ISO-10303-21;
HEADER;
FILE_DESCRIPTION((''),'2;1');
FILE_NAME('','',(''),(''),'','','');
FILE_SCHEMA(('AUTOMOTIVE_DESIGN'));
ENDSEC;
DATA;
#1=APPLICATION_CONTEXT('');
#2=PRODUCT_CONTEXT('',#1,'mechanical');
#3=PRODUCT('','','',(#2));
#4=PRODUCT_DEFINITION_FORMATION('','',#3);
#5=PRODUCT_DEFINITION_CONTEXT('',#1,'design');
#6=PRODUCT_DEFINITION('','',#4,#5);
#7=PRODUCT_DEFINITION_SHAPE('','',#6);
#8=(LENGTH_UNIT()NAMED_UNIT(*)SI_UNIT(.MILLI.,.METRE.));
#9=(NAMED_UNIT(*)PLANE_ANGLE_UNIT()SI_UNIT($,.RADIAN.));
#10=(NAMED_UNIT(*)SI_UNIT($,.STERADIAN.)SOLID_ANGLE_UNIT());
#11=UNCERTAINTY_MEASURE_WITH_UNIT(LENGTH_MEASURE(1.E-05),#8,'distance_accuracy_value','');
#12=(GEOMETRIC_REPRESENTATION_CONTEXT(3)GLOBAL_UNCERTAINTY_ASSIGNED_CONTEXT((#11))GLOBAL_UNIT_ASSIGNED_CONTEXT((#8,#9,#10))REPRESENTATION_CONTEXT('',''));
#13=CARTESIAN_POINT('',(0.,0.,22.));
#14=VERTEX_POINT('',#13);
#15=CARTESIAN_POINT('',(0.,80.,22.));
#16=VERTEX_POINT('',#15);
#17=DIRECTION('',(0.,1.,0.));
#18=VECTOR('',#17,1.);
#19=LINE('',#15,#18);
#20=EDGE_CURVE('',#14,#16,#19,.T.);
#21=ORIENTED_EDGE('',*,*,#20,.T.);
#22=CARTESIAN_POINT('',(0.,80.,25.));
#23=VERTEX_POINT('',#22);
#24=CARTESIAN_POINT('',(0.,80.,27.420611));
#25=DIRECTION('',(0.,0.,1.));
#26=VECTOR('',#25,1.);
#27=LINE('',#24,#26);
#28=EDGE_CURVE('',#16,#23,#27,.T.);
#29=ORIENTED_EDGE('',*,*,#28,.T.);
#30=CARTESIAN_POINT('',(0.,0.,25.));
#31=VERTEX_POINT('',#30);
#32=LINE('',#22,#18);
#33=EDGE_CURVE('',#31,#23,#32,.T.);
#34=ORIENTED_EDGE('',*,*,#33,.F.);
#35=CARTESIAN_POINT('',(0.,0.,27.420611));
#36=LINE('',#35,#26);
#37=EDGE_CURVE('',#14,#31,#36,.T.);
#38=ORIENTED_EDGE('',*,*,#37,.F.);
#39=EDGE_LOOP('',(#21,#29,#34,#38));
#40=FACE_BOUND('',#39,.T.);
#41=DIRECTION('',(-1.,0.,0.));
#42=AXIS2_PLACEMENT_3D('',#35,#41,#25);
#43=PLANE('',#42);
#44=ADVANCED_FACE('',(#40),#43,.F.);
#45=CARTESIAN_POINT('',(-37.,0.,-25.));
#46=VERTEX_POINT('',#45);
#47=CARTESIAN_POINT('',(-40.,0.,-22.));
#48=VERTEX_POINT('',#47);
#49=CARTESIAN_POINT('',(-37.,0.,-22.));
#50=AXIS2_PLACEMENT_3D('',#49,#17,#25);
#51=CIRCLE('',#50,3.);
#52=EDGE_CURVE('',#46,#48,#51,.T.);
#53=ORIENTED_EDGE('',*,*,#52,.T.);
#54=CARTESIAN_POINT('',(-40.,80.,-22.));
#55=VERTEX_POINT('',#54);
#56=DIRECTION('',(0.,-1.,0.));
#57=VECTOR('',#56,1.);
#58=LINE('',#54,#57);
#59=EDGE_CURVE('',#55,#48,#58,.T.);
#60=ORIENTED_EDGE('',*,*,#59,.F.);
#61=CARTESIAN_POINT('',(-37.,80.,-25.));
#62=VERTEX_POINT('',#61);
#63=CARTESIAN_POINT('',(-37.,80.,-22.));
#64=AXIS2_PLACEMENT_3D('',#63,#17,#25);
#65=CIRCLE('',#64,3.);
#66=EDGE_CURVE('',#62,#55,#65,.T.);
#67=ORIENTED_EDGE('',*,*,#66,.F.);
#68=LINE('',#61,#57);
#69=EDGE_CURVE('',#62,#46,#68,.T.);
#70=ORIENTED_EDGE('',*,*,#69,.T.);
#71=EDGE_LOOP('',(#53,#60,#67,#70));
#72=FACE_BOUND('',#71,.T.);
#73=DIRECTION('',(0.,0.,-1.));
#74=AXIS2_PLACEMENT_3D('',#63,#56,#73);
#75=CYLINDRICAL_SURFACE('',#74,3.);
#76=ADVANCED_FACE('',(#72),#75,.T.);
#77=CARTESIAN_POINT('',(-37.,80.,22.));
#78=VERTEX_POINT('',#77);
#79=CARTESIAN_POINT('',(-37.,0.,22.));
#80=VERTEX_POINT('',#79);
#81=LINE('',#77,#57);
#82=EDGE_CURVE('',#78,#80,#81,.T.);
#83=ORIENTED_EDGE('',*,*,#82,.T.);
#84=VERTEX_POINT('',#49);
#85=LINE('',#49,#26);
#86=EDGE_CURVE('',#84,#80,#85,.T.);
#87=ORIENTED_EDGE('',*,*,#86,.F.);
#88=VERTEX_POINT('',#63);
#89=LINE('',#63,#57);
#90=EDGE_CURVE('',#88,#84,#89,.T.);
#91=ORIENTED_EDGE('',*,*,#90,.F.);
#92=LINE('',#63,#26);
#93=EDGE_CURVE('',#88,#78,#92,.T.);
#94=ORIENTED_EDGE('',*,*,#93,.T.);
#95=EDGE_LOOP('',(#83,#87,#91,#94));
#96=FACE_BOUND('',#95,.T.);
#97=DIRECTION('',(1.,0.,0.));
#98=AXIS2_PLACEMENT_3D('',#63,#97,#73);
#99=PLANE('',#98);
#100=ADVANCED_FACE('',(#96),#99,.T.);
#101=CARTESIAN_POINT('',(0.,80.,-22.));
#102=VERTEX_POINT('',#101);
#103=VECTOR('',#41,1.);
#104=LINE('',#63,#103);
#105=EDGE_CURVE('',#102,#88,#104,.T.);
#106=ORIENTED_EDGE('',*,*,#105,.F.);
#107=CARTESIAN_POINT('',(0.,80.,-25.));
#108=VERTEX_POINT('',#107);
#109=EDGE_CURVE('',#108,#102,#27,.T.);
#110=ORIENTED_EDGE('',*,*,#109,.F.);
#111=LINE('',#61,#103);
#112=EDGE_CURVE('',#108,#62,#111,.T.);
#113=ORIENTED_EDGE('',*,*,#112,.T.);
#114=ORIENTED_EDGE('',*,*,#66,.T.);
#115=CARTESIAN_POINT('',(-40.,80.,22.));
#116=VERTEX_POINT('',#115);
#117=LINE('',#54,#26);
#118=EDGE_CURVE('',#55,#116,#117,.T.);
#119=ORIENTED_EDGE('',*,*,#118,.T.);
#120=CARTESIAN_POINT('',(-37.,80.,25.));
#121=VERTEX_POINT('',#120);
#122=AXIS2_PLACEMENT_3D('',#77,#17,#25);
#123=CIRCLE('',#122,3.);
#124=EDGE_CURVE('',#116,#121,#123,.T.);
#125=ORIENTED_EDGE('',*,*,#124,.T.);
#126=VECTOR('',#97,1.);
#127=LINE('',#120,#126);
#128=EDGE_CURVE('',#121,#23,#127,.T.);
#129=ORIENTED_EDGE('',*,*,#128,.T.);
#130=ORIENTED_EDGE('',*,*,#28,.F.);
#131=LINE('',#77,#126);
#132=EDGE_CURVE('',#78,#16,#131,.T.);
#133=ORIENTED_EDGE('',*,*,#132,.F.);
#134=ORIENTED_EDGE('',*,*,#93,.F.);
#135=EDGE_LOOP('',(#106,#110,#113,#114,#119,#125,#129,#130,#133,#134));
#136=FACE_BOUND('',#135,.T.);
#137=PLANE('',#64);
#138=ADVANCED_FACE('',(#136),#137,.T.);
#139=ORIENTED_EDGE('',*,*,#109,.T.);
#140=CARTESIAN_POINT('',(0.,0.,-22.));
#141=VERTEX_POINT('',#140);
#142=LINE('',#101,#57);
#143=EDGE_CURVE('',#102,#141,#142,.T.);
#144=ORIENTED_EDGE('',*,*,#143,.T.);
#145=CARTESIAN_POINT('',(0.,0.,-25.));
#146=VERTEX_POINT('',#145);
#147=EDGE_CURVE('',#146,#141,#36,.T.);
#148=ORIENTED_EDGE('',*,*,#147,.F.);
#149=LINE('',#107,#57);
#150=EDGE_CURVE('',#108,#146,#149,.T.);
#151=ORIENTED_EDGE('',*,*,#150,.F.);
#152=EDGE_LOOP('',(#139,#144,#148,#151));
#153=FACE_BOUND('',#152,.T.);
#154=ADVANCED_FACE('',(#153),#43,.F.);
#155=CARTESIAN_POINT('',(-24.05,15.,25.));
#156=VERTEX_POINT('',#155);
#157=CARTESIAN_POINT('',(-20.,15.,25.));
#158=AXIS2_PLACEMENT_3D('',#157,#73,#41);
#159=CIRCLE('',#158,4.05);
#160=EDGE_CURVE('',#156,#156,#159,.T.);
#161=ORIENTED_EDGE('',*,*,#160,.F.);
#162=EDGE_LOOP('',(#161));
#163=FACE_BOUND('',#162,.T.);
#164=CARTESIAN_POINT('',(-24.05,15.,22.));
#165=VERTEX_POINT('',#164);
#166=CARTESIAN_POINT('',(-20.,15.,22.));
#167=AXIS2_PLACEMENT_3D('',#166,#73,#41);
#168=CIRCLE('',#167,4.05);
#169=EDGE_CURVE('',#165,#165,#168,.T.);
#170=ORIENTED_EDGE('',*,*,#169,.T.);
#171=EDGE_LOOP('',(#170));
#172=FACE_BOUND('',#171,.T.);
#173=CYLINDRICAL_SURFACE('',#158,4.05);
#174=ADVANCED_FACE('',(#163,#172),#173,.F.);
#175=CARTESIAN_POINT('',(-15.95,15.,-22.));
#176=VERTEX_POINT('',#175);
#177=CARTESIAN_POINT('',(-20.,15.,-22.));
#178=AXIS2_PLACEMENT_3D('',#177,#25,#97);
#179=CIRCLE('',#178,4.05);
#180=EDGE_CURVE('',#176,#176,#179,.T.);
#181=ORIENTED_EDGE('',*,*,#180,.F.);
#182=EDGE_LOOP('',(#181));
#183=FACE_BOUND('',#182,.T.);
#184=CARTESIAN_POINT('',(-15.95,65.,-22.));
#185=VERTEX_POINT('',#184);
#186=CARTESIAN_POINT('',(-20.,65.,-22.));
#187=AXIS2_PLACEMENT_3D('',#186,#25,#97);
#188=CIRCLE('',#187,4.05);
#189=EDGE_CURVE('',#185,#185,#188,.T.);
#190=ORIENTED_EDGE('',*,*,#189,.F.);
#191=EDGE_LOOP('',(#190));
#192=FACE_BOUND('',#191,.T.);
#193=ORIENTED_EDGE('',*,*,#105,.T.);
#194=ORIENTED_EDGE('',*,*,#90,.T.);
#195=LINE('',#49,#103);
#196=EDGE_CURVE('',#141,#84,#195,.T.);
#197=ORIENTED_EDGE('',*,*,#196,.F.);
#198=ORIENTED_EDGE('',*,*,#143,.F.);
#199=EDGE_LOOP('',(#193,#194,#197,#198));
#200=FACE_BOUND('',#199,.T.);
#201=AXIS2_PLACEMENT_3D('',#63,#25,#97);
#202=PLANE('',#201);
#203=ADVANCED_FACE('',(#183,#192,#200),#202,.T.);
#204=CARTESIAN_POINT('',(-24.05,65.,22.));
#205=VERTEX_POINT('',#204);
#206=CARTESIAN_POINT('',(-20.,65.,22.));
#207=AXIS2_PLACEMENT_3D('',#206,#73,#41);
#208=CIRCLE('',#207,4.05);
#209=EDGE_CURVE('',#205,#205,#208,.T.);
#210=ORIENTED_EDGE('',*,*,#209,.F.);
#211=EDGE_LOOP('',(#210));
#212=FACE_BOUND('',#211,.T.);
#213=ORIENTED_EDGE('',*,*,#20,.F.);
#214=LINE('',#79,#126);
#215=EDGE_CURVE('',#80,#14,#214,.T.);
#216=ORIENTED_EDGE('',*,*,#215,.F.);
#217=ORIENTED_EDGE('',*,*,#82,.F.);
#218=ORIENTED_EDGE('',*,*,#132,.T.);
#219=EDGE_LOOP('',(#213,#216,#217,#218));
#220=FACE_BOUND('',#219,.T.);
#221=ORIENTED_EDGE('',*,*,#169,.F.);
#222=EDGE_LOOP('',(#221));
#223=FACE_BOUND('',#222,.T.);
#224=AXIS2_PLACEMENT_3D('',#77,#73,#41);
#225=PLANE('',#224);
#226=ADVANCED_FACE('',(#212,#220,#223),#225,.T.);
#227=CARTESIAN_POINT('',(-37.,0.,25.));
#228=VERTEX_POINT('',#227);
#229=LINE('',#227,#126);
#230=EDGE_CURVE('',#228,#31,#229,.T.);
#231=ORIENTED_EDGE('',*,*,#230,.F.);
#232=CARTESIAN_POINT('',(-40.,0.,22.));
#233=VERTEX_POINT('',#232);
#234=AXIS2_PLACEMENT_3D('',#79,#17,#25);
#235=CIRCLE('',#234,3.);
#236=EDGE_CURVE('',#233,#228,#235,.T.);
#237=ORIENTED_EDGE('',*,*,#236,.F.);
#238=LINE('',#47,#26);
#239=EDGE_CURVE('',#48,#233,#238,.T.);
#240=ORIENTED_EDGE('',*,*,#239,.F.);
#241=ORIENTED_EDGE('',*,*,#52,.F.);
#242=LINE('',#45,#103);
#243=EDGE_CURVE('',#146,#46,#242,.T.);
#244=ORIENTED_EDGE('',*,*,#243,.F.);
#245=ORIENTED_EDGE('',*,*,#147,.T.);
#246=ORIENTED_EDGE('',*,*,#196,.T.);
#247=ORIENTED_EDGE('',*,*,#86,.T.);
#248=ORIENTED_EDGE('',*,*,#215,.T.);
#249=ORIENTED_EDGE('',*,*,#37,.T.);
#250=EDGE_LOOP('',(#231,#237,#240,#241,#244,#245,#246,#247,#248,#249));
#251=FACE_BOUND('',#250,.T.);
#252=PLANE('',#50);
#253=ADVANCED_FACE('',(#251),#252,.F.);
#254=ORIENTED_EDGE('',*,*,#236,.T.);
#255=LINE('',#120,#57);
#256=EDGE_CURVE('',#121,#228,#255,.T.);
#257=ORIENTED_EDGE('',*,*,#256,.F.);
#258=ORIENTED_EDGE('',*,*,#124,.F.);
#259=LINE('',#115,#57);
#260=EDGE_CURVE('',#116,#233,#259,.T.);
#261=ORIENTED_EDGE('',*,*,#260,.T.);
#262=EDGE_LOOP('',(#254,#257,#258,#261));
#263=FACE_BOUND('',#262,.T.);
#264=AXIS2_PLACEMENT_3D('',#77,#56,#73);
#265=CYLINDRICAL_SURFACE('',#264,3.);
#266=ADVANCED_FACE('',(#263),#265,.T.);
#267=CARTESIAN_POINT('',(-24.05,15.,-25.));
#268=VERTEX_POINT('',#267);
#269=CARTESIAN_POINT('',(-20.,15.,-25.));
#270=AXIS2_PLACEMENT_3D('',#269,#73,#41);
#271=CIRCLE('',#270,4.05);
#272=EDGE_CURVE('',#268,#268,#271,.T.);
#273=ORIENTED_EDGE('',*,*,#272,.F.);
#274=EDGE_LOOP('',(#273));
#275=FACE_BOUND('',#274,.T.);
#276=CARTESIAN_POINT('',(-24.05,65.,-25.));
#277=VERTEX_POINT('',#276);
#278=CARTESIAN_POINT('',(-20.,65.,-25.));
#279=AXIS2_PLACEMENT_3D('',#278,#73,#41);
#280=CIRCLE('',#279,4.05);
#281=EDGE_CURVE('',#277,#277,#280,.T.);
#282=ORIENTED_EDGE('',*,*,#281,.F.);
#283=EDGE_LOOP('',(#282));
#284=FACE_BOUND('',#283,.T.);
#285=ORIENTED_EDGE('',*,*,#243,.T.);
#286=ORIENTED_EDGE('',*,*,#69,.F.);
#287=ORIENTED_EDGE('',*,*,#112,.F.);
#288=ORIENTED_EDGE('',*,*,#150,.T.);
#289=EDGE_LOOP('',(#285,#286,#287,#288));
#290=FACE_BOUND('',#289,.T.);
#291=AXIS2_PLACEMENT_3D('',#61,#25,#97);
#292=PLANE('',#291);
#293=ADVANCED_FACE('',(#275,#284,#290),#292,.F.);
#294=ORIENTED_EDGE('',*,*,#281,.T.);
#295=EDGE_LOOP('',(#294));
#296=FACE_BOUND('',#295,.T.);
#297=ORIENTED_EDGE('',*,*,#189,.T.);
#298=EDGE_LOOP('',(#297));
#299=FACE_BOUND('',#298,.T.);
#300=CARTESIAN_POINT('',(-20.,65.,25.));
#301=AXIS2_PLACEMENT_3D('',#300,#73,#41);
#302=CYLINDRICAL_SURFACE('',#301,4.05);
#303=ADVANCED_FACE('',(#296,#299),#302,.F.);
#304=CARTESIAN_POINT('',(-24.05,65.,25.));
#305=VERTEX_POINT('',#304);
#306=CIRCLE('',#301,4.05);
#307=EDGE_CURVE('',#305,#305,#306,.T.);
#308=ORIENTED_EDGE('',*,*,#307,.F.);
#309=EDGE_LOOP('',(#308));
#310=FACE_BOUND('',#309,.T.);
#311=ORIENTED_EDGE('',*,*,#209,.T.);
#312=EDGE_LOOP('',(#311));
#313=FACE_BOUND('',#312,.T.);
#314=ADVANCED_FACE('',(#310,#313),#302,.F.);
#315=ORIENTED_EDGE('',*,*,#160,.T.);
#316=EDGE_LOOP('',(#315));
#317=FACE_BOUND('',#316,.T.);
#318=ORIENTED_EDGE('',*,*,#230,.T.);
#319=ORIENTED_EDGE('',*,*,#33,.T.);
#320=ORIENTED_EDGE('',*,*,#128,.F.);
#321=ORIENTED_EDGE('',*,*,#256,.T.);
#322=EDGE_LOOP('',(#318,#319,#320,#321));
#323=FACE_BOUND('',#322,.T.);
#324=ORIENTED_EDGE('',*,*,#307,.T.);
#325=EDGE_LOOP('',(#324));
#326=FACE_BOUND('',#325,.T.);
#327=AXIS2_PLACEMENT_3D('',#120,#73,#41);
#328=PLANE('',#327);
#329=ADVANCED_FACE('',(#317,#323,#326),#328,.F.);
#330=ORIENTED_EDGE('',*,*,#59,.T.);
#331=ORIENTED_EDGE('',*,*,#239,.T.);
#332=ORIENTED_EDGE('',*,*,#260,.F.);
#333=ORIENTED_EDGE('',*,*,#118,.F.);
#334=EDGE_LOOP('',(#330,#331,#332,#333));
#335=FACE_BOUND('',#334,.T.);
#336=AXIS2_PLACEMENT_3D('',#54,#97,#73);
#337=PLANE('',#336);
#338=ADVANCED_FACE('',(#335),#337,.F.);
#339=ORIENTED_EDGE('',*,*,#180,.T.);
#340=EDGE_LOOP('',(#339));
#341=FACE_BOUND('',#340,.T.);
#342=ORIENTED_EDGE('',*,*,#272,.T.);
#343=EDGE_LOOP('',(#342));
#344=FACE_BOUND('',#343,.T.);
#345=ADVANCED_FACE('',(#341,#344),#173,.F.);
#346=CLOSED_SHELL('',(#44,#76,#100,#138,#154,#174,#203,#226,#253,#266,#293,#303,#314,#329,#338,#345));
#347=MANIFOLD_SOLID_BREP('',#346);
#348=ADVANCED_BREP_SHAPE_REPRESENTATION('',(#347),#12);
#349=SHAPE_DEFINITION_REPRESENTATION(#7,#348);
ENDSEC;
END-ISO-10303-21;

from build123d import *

# Parameters (mm, degrees)
SKETCH_1_W          = 74
SKETCH_1_H          = 44
EXTRUDE_1_DEPTH     = 80
SKETCH_2_W          = 41.146480438
SKETCH_2_H          = 58.393385187
CUT_EXTRUDE_1_DEPTH = 81
SKETCH_3_R          = 4.05
CUT_EXTRUDE_2_DEPTH = 51


with BuildPart() as part:
    # Эскиз1 → Вытянуть-Тонкостенный1 (new body)
    with BuildSketch(Plane(origin=(0, 0, 0), x_dir=(1, 0, 0), z_dir=(0, 1, 0))):
        with BuildLine():
            Line((40, 22), (40, -22))
            ThreePointArc((40, -22), (39.121320344, -24.121320344), (37, -25))
            Line((37, -25), (-37, -25))
            ThreePointArc((-37, -25), (-39.121320344, -24.121320344), (-40, -22))
            Line((-40, -22), (-40, 22))
            ThreePointArc((-40, 22), (-39.121320344, 24.121320344), (-37, 25))
            Line((-37, 25), (37, 25))
            ThreePointArc((37, 25), (39.121320344, 24.121320344), (40, 22))
        make_face()
        Rectangle(SKETCH_1_W, SKETCH_1_H, mode=Mode.SUBTRACT)
    extrude(amount=EXTRUDE_1_DEPTH)

    # Эскиз2 → Вырез-Вытянуть1 (cut, through all)
    with BuildSketch(Plane(origin=(0, 80, 0), x_dir=(1, 0, 0), z_dir=(0, 1, 0))):
        with Locations((20.573240219, 1.776081122)):
            Rectangle(SKETCH_2_W, SKETCH_2_H)
    extrude(amount=-CUT_EXTRUDE_1_DEPTH, mode=Mode.SUBTRACT)

    # Эскиз3 → Вырез-Вытянуть2 (cut, through all)
    with BuildSketch(Plane(origin=(0, 0, -25), x_dir=(-1, 0, 0), z_dir=(0, 0, -1))):
        with Locations((20, 115)):
            Circle(SKETCH_3_R)
        with Locations((20, 15)):
            Circle(SKETCH_3_R)
        with Locations((20, 65)):
            Circle(SKETCH_3_R)
    extrude(amount=-CUT_EXTRUDE_2_DEPTH, mode=Mode.SUBTRACT)


solid = part.part
